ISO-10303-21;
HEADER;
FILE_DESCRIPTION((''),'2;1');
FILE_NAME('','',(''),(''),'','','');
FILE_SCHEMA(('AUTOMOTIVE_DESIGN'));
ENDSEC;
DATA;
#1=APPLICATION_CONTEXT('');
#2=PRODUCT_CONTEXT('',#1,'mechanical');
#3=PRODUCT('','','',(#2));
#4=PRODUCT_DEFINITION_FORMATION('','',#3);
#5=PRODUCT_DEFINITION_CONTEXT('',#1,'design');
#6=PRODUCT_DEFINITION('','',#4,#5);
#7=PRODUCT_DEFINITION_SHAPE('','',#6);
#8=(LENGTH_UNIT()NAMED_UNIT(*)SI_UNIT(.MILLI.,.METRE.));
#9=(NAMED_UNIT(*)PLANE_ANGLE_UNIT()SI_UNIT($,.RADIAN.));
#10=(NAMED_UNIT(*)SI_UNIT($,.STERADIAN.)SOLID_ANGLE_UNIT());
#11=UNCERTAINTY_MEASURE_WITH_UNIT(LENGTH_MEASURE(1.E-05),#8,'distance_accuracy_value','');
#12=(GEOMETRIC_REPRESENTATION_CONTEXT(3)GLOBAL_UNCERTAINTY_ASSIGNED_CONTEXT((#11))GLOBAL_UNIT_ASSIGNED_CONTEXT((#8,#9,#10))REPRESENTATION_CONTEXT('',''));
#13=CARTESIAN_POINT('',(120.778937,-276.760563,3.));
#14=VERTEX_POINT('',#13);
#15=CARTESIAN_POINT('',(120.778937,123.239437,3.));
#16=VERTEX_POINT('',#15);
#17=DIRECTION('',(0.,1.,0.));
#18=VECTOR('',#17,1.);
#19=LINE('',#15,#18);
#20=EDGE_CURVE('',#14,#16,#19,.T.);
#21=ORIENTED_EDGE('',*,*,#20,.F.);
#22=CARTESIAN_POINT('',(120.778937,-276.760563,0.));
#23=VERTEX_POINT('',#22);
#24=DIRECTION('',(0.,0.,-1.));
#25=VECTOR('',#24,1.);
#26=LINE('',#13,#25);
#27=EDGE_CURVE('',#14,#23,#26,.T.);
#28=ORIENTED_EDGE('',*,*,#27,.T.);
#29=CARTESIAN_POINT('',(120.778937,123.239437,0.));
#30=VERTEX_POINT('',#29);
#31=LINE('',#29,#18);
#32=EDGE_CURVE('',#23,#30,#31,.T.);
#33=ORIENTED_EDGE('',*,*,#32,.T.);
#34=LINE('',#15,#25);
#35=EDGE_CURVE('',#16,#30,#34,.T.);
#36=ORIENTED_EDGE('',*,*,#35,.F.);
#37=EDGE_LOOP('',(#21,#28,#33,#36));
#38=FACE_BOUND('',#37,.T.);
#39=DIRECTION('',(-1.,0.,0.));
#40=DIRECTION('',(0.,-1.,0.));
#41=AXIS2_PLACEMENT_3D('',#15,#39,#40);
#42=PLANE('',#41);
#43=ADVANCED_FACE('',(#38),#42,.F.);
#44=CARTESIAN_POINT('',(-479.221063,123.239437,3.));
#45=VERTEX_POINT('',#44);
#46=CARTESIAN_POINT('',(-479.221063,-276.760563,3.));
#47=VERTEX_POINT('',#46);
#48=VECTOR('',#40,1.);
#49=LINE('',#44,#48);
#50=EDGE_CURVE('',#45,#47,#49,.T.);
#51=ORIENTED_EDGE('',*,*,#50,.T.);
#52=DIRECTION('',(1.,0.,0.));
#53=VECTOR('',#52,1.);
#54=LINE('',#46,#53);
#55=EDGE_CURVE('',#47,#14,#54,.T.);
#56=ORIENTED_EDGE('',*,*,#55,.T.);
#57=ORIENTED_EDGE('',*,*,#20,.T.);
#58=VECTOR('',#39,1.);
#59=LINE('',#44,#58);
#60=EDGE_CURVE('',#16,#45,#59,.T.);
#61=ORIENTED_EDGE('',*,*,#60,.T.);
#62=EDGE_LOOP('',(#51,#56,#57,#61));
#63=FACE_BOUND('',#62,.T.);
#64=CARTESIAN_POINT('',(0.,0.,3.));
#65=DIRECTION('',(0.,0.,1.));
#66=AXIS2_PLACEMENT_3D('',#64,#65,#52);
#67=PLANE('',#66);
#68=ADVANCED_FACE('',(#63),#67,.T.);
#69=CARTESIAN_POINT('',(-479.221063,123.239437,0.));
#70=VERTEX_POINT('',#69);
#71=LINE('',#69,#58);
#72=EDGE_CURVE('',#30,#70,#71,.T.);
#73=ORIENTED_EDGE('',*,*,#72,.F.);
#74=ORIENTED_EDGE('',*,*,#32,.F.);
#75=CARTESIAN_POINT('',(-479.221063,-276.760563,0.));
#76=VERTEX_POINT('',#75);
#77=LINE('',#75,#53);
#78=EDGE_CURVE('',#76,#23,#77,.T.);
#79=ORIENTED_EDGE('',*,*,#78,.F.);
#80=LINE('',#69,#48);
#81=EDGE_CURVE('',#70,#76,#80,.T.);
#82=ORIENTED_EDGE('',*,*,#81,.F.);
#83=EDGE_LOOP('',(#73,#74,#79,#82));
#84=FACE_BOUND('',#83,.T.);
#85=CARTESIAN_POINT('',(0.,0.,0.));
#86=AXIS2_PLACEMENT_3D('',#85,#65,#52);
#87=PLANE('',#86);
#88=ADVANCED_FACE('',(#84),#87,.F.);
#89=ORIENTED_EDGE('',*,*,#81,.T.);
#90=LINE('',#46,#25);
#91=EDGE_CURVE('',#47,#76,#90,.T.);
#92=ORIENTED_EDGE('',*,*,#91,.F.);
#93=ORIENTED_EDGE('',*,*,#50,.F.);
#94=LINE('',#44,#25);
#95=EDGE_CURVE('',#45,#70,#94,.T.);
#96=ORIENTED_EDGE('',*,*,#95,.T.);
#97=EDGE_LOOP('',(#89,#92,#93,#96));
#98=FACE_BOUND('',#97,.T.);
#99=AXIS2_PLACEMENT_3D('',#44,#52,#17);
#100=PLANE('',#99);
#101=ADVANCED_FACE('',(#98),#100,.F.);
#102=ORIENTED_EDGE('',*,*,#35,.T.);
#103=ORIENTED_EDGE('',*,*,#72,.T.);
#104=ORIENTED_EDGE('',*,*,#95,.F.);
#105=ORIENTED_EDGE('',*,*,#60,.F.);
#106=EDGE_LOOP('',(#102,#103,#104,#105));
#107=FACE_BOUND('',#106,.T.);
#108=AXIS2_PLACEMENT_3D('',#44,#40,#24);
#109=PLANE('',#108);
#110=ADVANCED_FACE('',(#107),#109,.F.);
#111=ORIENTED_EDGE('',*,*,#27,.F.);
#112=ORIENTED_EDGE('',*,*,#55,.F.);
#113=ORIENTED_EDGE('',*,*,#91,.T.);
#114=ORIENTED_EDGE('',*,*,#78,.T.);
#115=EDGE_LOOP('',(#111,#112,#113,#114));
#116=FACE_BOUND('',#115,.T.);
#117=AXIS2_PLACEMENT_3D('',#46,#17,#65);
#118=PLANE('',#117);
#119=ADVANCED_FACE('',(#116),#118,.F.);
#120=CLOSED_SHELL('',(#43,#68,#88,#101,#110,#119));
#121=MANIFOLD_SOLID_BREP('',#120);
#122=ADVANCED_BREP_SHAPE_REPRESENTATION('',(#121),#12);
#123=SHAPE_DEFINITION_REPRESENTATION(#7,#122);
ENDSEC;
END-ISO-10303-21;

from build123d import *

# Parameters (mm, degrees)
SZKIC1_W                    = 600
SZKIC1_H                    = 400
DODANIE_WYCI_GNI_CIE1_DEPTH = 3


with BuildPart() as part:
    # Szkic1 → Dodanie-wyciągnięcie1 (new body)
    with BuildSketch(Plane.XY):
        with Locations((-179.221062811, -76.76056338)):
            Rectangle(SZKIC1_W, SZKIC1_H)
    extrude(amount=DODANIE_WYCI_GNI_CIE1_DEPTH)


solid = part.part
